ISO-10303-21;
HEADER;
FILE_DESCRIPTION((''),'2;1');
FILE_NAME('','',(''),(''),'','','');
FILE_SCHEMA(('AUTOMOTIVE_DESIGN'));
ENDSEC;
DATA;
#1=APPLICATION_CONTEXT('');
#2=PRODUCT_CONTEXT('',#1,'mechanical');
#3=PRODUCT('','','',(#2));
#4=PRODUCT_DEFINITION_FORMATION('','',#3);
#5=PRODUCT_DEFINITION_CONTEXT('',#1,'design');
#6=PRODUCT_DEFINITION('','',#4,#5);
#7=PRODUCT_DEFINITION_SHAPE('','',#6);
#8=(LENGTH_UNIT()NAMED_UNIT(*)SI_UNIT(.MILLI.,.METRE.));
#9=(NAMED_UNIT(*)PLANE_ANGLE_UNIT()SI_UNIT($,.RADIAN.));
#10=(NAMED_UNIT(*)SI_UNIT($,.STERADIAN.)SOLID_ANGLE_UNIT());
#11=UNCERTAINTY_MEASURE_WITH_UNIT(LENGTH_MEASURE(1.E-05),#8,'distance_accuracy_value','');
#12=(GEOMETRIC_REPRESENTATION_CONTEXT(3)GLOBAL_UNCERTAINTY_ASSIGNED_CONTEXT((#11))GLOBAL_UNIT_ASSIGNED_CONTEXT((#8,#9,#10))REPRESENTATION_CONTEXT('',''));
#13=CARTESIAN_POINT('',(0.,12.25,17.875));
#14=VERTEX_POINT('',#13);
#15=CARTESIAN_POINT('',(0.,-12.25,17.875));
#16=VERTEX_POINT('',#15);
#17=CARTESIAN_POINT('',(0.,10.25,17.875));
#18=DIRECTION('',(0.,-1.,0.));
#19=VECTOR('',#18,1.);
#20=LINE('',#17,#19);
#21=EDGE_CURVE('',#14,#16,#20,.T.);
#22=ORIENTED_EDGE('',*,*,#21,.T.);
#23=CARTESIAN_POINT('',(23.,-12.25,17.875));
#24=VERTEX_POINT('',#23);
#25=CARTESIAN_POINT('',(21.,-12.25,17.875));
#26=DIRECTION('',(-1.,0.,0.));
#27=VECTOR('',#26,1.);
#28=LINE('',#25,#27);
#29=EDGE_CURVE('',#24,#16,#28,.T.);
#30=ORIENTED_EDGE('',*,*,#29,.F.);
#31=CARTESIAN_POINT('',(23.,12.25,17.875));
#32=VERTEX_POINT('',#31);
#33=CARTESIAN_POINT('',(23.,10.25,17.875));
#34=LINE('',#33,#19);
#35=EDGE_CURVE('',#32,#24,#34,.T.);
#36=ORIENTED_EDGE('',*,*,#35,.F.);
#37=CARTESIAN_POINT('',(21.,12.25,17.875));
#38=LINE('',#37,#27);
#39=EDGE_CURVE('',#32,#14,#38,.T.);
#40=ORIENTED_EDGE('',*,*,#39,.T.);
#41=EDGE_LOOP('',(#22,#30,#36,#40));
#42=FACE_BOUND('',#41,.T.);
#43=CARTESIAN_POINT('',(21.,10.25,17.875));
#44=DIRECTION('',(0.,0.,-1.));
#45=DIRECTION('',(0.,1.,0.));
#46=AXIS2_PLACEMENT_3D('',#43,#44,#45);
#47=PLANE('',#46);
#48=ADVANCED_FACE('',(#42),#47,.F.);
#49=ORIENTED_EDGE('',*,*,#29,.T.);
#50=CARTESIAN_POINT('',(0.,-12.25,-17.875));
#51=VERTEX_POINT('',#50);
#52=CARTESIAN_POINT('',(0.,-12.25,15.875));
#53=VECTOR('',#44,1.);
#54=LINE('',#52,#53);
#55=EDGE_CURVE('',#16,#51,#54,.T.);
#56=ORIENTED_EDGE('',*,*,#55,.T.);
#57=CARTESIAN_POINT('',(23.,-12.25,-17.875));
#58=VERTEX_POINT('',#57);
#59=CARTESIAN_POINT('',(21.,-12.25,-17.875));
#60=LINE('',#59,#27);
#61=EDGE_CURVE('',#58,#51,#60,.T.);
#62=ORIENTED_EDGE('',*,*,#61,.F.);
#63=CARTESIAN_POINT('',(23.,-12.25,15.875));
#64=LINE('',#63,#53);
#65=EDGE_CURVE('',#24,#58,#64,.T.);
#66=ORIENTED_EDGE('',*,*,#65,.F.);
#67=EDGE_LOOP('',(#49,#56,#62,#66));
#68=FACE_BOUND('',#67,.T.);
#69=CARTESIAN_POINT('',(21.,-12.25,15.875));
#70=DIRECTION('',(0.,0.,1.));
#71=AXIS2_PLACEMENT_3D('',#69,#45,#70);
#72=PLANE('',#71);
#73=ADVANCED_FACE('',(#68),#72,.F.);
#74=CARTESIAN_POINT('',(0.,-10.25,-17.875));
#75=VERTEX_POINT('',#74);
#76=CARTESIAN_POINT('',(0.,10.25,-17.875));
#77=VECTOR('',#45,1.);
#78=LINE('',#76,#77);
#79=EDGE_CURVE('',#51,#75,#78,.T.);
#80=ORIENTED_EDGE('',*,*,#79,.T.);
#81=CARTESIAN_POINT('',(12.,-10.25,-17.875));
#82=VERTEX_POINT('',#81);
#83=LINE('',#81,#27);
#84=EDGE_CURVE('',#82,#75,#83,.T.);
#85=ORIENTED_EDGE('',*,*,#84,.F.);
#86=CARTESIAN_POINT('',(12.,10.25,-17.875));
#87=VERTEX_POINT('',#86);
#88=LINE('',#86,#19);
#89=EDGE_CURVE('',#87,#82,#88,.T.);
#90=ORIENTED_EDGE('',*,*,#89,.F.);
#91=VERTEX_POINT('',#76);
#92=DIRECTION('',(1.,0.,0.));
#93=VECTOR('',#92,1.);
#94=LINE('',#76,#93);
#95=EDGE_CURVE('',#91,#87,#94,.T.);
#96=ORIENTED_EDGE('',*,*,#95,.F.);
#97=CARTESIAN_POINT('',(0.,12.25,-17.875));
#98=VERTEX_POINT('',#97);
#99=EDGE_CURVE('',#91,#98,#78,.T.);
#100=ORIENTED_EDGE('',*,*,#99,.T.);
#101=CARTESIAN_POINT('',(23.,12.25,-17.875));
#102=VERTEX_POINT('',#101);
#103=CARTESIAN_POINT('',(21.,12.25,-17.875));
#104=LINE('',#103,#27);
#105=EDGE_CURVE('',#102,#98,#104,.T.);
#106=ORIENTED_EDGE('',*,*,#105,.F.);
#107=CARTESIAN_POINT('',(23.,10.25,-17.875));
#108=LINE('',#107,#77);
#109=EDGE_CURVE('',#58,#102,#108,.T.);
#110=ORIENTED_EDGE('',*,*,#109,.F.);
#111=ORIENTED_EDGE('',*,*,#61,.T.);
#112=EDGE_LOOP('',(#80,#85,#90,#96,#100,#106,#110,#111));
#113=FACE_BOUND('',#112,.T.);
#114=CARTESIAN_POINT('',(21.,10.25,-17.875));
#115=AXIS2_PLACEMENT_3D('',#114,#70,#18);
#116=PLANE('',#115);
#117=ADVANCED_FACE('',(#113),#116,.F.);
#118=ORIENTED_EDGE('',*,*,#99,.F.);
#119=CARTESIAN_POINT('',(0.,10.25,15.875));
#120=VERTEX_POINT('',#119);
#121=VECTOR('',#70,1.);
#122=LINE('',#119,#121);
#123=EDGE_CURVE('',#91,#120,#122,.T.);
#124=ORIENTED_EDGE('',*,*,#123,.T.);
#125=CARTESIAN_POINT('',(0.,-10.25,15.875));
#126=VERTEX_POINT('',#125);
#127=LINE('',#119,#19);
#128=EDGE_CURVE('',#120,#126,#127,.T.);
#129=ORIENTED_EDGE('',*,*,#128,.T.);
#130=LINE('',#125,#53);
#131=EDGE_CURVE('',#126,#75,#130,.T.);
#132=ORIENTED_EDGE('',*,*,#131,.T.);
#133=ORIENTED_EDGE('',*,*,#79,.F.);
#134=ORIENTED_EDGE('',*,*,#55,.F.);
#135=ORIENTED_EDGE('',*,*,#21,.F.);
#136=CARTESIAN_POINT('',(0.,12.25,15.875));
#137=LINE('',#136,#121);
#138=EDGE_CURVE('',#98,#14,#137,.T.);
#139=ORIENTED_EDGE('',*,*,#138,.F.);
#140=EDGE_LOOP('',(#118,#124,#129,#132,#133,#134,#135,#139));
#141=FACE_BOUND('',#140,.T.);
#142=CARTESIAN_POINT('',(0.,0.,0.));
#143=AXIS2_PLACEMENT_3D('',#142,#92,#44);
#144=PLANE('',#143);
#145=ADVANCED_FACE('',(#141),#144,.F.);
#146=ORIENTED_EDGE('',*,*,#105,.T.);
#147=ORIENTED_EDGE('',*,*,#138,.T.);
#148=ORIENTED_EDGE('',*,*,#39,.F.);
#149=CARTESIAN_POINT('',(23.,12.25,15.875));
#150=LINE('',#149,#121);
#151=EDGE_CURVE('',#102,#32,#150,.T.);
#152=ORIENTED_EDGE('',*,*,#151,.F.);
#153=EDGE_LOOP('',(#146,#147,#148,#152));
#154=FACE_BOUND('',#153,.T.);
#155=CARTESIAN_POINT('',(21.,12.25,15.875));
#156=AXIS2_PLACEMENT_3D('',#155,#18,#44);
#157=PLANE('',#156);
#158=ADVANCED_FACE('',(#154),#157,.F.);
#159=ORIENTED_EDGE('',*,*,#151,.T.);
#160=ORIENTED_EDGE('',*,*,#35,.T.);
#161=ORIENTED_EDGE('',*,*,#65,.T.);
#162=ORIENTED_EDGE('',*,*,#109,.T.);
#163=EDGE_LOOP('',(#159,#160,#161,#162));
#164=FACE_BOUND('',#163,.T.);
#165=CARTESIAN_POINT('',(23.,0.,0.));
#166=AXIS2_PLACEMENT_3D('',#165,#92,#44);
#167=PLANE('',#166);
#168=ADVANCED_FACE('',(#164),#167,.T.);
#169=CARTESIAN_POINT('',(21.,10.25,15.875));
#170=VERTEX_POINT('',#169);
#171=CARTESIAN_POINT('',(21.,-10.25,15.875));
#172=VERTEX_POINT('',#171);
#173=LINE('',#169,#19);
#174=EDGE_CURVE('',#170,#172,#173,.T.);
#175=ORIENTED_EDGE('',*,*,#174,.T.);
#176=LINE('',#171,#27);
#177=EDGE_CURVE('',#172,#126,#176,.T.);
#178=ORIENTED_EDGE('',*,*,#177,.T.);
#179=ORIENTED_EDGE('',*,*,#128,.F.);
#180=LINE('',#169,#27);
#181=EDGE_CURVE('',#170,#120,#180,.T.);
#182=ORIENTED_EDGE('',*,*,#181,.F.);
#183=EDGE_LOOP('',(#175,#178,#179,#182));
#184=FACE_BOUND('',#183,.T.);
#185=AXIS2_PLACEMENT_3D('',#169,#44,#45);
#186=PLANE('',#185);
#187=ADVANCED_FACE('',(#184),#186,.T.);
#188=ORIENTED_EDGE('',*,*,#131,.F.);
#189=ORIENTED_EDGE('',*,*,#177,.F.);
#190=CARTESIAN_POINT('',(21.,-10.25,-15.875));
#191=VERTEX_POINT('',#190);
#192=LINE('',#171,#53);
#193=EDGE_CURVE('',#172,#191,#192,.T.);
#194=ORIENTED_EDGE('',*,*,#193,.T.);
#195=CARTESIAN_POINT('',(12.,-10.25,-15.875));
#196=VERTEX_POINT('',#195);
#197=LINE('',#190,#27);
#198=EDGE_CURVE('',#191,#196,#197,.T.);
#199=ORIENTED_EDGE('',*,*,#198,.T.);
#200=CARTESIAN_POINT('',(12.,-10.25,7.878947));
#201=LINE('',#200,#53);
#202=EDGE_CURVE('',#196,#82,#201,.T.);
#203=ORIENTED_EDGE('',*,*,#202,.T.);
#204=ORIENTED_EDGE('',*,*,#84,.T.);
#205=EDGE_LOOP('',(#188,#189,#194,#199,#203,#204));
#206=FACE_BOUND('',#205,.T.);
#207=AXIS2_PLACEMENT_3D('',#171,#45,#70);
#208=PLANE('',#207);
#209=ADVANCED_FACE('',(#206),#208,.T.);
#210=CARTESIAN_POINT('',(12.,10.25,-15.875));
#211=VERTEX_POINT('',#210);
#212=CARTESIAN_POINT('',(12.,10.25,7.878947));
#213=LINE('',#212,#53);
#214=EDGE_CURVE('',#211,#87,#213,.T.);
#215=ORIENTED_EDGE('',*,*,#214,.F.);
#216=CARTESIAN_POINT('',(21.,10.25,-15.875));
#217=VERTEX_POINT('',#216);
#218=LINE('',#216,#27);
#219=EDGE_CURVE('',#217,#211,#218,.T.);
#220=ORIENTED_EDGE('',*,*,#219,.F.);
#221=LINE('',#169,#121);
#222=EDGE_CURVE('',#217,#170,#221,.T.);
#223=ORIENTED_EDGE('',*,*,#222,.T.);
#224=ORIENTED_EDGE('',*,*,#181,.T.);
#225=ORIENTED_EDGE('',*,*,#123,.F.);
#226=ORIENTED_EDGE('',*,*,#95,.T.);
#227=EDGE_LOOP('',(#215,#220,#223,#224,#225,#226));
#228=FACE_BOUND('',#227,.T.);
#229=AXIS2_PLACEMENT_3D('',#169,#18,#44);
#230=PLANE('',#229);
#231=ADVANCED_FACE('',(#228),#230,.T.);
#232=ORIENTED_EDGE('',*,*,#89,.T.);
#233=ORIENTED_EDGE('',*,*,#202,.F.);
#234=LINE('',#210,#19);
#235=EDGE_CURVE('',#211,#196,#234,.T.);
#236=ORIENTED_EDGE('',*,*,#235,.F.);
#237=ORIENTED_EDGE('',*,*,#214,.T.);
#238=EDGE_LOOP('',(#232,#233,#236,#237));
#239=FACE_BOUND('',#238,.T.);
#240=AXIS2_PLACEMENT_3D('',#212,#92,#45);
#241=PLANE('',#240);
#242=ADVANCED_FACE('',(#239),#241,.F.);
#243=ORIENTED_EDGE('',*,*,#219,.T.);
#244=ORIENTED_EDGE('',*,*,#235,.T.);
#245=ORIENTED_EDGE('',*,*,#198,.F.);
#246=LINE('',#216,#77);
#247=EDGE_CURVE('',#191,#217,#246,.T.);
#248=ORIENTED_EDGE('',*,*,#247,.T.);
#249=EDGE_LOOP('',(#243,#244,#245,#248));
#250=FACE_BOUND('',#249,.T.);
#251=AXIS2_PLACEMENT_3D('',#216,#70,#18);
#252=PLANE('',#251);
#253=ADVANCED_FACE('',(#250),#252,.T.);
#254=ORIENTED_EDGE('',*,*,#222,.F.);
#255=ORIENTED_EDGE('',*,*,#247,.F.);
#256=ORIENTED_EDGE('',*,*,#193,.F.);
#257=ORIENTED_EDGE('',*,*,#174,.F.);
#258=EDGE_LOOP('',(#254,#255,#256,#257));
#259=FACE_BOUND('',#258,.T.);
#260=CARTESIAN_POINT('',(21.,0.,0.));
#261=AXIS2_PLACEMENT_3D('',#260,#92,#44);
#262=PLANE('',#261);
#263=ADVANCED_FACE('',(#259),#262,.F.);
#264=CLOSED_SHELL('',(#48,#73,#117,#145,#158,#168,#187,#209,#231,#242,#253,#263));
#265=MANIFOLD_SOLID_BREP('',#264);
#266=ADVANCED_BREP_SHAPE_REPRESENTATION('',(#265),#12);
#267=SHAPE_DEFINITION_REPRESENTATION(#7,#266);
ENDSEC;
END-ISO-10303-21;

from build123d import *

# Parameters (mm, degrees)
SKETCH4_W           = 31.75
SKETCH4_H           = 20.5
BOSS_EXTRUDE1_DEPTH = 21
SHELL1_T            = 2
SKETCH5_W           = 12
SKETCH5_H           = 20.5
CUT_EXTRUDE1_DEPTH  = 2


with BuildPart() as part:
    # Sketch4 → Boss-Extrude1 (new body)
    with BuildSketch(Plane(origin=(0, 0, 0), x_dir=(0, 0, -1), z_dir=(1, 0, 0))):
        Rectangle(SKETCH4_W, SKETCH4_H)
    extrude(amount=BOSS_EXTRUDE1_DEPTH)

    # Shell1
    shell1_openings = [part.faces().sort_by_distance(p)[0] for p in [
        (0, 0, 0),
    ]]
    offset(amount=SHELL1_T, openings=shell1_openings, kind=Kind.INTERSECTION)

    # Sketch5 → Cut-Extrude1 (cut)
    with BuildSketch(Plane(origin=(0, 0, -17.875), x_dir=(-1, 0, 0), z_dir=(0, 0, -1))):
        with Locations((-6, 0)):
            Rectangle(SKETCH5_W, SKETCH5_H)
    extrude(amount=-CUT_EXTRUDE1_DEPTH, mode=Mode.SUBTRACT)


solid = part.part
